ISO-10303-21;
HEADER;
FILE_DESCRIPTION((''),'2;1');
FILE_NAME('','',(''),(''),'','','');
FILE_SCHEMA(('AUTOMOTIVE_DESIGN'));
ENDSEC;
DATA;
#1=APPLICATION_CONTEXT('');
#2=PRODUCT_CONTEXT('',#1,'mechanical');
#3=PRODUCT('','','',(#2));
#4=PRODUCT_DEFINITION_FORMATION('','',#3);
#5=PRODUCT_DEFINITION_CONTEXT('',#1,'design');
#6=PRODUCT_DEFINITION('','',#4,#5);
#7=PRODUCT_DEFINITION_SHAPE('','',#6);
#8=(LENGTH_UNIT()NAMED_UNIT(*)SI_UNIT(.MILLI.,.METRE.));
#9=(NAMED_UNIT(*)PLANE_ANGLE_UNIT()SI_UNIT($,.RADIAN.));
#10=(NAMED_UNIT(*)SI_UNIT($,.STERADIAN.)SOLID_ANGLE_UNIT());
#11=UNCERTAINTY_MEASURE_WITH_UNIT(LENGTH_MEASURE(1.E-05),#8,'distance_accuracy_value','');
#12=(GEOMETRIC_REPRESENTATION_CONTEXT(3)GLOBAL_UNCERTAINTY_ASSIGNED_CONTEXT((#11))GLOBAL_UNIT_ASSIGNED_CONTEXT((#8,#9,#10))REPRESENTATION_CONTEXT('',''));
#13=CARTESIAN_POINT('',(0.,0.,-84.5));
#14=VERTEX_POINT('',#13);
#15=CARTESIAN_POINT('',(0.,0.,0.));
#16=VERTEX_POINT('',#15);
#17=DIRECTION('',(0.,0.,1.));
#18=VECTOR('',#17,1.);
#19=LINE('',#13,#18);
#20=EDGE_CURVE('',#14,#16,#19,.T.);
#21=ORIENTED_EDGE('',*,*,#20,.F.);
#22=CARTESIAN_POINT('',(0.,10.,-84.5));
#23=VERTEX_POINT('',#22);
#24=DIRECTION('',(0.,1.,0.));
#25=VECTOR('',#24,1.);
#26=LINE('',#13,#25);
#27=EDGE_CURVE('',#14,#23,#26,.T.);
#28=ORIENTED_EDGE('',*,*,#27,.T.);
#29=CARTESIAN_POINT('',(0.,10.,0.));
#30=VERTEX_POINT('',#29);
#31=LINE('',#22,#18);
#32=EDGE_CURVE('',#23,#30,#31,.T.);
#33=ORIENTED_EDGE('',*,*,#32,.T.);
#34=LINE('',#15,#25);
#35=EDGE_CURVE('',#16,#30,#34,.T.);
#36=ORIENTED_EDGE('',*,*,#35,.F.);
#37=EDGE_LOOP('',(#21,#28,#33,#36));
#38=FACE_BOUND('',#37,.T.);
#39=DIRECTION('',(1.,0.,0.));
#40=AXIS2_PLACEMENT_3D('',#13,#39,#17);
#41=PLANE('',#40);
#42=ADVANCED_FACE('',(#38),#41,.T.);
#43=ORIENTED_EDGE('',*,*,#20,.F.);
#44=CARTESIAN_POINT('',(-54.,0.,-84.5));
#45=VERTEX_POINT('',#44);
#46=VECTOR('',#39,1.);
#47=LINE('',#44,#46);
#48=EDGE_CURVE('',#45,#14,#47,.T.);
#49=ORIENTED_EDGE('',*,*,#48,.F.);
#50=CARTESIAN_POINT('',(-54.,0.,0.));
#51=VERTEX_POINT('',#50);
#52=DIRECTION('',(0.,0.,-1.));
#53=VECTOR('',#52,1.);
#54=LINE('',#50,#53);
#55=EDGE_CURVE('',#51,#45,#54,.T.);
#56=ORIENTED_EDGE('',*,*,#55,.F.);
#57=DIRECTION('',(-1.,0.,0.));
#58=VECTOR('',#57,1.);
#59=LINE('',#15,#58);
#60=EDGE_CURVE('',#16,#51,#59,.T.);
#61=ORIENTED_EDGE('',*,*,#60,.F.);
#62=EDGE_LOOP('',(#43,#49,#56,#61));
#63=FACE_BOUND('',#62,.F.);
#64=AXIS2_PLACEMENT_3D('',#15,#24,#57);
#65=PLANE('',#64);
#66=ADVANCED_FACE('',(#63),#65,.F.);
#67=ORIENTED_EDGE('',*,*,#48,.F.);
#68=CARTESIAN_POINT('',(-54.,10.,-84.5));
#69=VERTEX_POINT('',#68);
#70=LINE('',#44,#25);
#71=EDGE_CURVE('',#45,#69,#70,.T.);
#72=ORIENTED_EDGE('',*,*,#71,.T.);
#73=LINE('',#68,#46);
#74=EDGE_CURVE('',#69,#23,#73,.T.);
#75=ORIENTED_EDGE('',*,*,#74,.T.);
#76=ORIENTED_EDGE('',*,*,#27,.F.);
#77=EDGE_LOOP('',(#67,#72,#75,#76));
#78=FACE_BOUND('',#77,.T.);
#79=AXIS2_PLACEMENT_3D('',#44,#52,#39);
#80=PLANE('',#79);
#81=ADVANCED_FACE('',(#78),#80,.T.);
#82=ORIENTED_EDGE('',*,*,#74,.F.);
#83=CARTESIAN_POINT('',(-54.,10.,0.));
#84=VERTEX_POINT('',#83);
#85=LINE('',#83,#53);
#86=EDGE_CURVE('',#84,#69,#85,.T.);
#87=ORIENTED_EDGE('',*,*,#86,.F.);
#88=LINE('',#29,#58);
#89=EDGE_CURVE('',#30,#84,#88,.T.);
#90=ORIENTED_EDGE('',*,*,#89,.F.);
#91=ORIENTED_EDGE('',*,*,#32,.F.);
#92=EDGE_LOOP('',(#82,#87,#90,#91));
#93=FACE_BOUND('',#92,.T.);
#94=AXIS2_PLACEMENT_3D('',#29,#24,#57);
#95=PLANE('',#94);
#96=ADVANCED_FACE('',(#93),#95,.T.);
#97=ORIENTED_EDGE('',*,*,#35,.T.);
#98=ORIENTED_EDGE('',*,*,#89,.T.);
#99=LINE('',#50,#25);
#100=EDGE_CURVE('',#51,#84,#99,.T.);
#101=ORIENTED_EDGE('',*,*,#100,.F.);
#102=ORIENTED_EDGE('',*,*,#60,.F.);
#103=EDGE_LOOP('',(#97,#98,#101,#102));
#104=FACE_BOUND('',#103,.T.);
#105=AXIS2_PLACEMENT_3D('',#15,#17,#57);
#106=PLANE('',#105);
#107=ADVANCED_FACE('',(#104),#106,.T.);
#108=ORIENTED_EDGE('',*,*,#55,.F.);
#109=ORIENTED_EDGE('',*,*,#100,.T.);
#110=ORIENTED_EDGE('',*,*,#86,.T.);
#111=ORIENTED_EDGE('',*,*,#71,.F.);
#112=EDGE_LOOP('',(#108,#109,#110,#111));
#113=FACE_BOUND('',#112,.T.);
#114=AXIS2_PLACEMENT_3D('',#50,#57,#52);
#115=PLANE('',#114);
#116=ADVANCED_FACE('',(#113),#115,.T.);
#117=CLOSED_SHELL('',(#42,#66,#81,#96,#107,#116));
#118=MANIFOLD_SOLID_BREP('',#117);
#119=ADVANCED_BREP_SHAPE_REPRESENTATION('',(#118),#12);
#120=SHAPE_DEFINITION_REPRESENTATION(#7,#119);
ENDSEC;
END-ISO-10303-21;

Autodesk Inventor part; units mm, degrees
ref_plane "YZ Plane" through (0, 0, 0) normal (1, 0, 0) x (0, 1, 0)
ref_plane "XZ Plane" through (0, 0, 0) normal (0, 1, 0) x (-1, 0, 0)
ref_plane "XY Plane" through (0, 0, 0) normal (0, 0, 1) x (1, 0, 0)
sketch "草圖1" plane through (0, 0, 0) normal (0, 1, 0) x (-1, 0, 0)
  line L0 (0, 0) -> (54, 0)
  line L1 (54, 0) -> (54, -84.5)
  line L2 (54, -84.5) -> (0, -84.5)
  line L3 (0, -84.5) -> (0, 0)
  dimension "d0" = 54
  dimension "d1" = 84.5
extrude "擠出1" add sketch "草圖1" along normal blind 10
properties part number "麵包板"
